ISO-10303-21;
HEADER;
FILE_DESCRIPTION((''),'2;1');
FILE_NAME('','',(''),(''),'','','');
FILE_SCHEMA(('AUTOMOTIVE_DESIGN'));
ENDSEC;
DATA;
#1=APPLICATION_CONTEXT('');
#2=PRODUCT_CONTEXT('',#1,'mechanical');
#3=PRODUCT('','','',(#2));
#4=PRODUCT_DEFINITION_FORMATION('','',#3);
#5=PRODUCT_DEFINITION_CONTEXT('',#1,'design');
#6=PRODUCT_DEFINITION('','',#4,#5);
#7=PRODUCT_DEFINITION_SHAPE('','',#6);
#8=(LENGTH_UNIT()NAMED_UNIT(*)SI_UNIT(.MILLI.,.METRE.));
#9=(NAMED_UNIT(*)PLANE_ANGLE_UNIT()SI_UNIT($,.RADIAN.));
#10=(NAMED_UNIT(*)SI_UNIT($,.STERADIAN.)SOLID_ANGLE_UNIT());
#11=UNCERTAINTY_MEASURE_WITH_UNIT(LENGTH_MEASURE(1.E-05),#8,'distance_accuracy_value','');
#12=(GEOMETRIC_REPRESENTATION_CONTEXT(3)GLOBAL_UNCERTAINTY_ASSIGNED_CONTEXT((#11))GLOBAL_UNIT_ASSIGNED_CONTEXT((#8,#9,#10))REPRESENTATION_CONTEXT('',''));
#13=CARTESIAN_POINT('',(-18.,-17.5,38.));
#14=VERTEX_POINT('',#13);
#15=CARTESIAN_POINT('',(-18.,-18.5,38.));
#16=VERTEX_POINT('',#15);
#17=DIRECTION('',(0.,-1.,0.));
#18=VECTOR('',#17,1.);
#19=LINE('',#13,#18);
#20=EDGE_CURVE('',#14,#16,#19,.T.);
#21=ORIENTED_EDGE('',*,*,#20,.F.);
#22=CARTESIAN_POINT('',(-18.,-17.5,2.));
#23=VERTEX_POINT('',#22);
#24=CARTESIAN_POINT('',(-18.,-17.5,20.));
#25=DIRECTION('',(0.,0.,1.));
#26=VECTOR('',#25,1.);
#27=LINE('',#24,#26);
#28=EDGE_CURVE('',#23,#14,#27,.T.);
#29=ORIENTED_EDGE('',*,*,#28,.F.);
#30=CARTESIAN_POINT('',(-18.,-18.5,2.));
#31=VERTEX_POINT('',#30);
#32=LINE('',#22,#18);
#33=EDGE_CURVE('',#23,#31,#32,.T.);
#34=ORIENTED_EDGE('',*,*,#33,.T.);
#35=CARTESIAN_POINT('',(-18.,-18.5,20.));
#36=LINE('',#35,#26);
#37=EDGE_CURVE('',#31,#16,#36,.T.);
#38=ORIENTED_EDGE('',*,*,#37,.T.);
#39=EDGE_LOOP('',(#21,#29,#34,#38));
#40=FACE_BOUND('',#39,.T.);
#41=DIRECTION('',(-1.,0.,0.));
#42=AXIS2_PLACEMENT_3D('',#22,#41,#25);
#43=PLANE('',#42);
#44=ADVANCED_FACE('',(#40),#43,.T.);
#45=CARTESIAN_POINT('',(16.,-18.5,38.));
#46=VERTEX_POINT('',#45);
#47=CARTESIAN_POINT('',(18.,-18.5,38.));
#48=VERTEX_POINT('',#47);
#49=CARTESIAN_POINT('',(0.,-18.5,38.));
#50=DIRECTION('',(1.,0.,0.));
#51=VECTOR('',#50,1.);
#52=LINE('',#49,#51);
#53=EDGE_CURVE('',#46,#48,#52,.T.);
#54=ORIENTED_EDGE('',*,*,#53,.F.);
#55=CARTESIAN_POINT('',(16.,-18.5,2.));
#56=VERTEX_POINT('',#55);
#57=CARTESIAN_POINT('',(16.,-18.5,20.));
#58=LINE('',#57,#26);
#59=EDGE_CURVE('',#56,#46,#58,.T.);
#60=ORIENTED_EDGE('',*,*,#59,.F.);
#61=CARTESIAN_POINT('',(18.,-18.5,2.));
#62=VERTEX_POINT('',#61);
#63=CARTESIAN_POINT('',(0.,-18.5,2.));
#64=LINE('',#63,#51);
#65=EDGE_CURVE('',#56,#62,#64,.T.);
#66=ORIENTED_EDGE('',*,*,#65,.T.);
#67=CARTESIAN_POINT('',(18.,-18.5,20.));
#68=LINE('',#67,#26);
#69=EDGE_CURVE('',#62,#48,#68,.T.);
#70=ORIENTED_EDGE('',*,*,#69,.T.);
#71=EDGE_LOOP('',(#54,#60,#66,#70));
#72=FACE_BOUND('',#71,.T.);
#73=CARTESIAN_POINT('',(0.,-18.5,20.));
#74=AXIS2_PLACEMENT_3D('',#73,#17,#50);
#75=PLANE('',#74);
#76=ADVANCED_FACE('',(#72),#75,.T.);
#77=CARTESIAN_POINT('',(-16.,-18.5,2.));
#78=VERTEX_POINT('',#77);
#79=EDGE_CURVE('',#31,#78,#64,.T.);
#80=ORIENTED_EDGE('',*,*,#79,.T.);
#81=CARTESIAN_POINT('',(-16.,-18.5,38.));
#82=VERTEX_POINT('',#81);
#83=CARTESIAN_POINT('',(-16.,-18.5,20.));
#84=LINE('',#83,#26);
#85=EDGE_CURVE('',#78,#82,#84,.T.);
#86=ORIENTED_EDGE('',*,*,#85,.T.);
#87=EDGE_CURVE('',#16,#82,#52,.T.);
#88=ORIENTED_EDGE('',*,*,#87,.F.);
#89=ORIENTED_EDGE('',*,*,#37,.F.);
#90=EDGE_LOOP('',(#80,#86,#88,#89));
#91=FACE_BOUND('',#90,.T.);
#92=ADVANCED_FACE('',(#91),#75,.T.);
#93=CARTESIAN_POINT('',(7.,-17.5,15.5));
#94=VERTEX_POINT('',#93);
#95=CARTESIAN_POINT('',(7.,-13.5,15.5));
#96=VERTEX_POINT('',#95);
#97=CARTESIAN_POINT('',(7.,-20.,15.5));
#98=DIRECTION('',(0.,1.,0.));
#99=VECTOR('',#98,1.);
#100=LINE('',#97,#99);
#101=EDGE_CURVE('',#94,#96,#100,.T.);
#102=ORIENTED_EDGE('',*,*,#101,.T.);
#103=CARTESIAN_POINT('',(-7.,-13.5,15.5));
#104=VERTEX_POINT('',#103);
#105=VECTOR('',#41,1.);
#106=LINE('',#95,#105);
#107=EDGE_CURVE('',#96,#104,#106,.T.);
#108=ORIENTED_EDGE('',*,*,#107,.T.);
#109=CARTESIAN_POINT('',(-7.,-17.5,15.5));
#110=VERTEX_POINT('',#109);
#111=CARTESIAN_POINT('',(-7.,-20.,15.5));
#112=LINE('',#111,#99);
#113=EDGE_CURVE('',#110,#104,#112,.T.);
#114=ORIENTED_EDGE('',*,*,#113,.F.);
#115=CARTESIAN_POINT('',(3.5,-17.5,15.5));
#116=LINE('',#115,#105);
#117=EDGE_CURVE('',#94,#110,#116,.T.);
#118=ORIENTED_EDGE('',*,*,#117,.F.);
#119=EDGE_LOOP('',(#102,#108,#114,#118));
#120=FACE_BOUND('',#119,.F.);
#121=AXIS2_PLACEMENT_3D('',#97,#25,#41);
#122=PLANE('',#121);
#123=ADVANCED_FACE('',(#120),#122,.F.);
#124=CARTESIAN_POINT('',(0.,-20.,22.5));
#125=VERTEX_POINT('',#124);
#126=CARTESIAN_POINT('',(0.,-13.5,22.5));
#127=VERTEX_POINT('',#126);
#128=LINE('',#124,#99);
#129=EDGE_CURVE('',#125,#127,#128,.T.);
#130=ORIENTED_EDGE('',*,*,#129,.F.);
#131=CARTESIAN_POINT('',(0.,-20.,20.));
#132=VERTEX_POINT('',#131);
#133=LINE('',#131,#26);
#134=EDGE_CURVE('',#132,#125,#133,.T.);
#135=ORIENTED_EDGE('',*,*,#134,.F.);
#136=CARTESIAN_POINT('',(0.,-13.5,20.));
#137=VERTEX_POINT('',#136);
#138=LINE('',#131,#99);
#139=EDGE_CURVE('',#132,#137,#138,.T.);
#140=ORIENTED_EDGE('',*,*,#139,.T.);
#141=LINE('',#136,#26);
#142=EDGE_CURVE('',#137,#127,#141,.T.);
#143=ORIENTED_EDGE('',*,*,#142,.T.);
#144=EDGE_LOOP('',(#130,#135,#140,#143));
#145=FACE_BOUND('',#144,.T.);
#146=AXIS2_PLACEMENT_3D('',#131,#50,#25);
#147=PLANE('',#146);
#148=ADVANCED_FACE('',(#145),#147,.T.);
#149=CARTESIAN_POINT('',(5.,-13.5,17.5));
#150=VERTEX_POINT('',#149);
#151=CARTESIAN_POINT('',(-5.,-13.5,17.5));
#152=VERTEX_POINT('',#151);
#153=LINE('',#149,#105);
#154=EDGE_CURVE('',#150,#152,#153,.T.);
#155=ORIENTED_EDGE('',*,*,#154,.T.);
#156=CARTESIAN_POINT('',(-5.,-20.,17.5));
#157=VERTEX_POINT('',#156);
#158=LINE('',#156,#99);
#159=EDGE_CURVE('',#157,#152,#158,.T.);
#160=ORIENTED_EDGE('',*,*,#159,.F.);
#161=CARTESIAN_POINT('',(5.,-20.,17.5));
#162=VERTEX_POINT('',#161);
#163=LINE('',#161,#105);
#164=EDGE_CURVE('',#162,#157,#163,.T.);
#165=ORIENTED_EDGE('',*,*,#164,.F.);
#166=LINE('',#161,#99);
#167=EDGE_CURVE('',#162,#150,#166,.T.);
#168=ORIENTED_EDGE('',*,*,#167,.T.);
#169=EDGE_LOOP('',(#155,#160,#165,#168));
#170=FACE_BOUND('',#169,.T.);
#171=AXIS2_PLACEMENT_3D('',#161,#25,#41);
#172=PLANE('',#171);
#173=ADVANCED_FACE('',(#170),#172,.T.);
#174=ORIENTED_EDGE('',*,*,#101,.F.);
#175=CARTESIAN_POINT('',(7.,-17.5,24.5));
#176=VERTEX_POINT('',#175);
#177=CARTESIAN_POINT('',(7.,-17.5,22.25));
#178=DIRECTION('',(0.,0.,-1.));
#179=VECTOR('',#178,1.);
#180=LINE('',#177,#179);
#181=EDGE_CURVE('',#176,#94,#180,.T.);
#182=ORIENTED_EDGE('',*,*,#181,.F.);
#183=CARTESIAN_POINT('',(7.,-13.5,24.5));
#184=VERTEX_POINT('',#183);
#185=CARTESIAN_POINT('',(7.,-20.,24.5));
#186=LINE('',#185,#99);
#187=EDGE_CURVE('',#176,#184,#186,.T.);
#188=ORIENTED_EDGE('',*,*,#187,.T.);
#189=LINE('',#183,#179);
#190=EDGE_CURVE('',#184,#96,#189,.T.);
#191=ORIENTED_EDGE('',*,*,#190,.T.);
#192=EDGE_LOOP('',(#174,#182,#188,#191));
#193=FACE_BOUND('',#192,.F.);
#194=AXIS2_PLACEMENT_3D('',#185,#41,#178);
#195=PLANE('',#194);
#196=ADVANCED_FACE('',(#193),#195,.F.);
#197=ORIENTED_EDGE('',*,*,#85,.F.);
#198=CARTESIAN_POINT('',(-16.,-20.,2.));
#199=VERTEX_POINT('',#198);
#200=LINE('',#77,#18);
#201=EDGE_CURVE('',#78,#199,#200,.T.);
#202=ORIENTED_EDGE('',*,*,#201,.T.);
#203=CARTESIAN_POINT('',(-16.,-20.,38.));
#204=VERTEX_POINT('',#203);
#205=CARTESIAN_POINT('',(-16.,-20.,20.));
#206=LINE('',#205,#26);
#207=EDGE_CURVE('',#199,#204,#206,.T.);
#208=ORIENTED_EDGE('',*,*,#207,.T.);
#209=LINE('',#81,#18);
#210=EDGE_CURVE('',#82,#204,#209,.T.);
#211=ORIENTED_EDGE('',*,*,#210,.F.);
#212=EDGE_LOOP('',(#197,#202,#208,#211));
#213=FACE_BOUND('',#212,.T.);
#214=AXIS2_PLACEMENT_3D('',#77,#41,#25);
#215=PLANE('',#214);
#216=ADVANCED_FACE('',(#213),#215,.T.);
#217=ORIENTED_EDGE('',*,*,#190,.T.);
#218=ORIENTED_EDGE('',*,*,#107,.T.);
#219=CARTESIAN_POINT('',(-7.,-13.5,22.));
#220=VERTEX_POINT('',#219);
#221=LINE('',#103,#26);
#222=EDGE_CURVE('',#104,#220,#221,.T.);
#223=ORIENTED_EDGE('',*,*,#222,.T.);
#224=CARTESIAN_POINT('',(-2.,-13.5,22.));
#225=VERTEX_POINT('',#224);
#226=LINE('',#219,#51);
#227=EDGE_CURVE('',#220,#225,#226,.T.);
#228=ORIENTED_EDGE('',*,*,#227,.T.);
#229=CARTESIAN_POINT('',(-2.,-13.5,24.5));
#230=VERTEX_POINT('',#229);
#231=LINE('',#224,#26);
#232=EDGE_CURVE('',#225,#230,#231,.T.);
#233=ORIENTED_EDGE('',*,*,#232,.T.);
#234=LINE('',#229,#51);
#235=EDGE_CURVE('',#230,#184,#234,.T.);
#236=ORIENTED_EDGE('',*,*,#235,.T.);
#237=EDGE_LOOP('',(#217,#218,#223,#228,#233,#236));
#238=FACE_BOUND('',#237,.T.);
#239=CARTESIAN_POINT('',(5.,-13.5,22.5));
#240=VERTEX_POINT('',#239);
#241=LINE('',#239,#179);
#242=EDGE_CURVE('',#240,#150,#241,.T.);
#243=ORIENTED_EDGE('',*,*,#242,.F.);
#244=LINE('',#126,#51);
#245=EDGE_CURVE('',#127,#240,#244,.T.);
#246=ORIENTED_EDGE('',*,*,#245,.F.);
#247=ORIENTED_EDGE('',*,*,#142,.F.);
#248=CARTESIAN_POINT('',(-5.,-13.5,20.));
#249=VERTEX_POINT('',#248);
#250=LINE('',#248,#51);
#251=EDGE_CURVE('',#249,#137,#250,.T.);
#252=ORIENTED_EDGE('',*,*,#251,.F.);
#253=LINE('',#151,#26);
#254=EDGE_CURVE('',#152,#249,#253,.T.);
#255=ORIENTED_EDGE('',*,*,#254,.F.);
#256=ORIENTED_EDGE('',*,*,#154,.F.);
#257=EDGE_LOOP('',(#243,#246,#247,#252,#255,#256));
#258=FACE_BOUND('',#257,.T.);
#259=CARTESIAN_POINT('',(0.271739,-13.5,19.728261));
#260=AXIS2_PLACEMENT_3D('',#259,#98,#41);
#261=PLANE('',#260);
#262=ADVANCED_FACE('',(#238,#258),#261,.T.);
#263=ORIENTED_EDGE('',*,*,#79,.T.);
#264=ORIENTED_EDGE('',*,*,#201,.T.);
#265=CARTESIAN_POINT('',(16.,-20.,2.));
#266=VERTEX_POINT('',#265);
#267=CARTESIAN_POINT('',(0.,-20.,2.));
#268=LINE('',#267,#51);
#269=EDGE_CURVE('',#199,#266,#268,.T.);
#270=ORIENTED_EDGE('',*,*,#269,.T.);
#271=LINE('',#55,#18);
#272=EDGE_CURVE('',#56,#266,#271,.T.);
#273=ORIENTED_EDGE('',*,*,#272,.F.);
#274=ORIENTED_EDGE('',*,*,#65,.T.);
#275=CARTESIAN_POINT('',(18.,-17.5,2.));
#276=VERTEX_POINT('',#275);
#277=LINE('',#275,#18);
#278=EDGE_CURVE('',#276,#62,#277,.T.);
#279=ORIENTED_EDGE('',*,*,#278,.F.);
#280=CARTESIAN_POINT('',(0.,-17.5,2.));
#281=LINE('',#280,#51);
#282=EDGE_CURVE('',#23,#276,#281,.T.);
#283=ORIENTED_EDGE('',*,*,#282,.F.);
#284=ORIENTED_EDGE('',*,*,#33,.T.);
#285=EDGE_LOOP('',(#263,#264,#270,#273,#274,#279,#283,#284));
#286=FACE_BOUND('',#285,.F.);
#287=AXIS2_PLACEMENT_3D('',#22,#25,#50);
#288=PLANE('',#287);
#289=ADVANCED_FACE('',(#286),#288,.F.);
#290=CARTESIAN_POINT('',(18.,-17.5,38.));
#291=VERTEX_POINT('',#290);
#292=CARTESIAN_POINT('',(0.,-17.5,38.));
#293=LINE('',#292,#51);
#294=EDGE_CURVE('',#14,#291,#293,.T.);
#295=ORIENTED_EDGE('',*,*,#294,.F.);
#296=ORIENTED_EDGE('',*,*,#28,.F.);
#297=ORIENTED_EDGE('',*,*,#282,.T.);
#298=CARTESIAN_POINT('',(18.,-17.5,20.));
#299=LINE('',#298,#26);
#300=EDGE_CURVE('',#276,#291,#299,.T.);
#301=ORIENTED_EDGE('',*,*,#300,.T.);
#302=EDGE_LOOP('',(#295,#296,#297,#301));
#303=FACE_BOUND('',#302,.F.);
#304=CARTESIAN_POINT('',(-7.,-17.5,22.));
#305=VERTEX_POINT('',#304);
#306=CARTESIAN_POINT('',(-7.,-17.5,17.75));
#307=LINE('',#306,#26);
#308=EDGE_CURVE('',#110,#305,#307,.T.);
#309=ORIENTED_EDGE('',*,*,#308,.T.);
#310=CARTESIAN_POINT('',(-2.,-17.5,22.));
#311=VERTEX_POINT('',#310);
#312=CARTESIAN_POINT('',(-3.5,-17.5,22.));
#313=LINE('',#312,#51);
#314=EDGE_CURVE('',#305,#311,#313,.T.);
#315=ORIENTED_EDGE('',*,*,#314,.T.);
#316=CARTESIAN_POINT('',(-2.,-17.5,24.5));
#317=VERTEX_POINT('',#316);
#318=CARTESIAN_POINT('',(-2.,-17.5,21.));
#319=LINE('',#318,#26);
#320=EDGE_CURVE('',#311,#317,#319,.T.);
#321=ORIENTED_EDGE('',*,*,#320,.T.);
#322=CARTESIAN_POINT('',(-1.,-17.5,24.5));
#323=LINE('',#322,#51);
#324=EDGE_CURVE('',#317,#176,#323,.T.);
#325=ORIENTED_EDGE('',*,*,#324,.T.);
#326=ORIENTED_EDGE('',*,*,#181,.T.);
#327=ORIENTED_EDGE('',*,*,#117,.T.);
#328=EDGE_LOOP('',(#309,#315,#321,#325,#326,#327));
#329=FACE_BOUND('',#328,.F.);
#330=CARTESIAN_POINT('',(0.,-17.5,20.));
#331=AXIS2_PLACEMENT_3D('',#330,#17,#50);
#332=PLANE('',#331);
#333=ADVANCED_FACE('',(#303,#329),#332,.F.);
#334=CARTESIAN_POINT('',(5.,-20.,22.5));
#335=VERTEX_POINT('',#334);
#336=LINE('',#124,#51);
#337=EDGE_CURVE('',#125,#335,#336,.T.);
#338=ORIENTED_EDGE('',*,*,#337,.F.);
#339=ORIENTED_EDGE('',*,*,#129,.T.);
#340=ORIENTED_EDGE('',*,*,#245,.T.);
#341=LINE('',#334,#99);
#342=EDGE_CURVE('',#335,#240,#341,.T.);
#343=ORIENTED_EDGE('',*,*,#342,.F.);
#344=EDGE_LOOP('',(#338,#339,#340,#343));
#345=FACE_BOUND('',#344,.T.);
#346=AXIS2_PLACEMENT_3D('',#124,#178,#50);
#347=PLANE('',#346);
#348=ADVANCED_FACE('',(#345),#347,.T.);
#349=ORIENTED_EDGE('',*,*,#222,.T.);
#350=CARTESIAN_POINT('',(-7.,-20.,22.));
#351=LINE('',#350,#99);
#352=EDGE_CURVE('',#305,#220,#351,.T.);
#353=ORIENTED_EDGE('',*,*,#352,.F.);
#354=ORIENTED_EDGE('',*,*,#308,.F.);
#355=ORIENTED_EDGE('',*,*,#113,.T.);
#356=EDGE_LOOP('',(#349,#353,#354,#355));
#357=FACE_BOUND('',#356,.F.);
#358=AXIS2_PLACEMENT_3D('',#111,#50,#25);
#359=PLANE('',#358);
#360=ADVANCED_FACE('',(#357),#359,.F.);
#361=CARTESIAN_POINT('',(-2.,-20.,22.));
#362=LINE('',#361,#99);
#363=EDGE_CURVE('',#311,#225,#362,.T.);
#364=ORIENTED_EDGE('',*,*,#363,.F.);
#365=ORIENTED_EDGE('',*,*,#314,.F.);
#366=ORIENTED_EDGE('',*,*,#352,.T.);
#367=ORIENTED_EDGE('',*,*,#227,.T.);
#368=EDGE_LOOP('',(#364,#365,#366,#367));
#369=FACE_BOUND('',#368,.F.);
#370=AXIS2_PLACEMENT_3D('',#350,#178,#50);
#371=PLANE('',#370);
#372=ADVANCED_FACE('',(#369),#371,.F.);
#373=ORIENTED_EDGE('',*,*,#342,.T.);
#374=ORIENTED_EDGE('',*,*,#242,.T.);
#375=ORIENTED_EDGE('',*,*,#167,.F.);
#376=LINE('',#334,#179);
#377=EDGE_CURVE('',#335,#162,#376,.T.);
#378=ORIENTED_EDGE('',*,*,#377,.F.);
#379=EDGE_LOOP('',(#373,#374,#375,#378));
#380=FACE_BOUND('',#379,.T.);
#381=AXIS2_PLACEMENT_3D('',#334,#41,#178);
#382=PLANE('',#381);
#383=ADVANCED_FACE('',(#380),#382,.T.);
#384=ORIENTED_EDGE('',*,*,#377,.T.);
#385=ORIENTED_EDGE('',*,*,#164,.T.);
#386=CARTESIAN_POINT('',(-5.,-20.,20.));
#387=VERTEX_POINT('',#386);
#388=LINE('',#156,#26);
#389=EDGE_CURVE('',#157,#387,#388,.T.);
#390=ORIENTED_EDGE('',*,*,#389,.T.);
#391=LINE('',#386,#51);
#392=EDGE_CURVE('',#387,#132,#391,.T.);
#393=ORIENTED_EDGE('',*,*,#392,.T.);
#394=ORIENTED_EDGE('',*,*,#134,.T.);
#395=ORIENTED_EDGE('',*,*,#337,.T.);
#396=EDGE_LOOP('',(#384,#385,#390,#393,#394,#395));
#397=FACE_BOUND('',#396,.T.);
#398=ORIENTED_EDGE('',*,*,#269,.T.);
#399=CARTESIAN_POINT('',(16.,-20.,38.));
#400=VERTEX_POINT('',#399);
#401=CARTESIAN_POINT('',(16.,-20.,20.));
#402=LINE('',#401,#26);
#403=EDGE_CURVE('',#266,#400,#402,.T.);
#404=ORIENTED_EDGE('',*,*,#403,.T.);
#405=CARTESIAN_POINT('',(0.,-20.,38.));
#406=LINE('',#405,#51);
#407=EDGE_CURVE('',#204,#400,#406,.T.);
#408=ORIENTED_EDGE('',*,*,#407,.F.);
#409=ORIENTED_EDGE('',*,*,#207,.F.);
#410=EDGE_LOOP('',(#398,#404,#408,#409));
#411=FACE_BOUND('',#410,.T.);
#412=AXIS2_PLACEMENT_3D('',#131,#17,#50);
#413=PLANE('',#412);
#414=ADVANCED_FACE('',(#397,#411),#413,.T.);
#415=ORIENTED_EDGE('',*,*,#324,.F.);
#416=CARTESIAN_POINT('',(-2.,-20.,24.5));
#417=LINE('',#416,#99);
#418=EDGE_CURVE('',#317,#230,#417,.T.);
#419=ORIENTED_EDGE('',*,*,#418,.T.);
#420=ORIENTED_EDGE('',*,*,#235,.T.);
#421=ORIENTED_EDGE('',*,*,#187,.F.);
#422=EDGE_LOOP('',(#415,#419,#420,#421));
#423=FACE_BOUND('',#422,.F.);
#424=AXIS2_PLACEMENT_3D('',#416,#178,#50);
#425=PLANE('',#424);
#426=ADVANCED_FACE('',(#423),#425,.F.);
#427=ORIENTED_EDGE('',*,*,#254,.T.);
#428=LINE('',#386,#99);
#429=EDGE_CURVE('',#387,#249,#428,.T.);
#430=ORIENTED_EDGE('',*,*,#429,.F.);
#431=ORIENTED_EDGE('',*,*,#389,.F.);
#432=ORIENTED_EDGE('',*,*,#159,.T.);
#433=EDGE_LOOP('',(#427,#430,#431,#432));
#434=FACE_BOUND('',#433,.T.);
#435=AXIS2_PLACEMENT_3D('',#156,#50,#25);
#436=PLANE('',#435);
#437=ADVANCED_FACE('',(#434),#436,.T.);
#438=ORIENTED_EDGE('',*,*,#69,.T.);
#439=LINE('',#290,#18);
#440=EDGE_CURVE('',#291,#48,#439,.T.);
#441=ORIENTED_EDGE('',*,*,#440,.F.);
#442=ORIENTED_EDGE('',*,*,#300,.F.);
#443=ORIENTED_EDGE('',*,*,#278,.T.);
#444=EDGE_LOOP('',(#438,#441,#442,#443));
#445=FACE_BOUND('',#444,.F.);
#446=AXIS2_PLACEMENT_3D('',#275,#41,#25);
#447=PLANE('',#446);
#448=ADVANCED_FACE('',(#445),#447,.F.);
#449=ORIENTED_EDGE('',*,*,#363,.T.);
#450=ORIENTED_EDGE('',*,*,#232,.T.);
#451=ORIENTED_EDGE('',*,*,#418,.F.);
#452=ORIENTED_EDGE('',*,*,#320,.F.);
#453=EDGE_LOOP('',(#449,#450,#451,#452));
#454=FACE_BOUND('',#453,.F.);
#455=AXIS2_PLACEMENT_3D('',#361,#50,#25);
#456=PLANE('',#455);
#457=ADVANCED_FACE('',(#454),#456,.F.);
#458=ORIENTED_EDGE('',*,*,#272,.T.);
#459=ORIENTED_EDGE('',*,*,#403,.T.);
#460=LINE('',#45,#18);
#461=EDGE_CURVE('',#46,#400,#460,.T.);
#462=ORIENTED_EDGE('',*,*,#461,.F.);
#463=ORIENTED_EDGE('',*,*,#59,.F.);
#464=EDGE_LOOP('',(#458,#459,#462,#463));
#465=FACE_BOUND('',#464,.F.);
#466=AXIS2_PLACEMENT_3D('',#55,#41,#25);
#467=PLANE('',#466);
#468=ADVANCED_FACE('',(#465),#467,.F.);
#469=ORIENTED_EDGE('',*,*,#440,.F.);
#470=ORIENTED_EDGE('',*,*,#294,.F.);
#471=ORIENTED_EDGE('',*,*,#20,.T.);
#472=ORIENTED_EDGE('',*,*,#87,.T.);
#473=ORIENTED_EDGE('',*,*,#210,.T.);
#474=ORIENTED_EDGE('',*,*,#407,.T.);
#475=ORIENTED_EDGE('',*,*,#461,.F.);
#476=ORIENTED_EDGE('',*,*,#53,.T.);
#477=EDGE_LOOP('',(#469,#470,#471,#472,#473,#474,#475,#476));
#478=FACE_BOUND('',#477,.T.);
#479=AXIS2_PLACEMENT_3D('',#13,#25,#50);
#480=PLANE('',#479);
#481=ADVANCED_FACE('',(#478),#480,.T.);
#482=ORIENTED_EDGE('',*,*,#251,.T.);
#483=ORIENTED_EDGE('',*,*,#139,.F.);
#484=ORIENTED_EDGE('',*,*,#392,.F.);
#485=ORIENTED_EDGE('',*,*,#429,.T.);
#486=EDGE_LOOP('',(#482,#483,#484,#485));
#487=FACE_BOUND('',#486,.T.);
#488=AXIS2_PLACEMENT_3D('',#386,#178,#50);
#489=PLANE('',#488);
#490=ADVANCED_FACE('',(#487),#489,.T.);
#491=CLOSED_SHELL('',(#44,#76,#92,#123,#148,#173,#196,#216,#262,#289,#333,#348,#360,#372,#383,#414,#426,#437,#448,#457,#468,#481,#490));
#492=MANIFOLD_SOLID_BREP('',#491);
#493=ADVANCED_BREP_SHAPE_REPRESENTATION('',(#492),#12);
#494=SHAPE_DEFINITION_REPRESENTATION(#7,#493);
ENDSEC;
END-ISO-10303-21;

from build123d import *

# Parameters (mm, degrees)
SKETCH021_W                    = 32
SKETCH021_H                    = 36
EXTRUDE019_DEPTH               = 1.5
SKETCH020_W                    = 36
SKETCH020_H                    = 36
EXTRUDE018_DEPTH               = 1
FUSION011_PLACEMENT_ANGLE      = 90
BASEFEATURE002_PLACEMENT_ANGLE = 90
POCKET002_DEPTH                = 5
PAD_DEPTH                      = 6.5
POCKET007_DEPTH                = 6.5
BODY003_PLACEMENT_ANGLE        = 90


with BuildPart() as extrude019:
    # Sketch021 (on Face6 of Extrude018) → Extrude019 (new body)
    with BuildSketch(Plane.XY.offset(1)):
        Rectangle(SKETCH021_W, SKETCH021_H)
    extrude(amount=EXTRUDE019_DEPTH)


with BuildPart() as body003:
    # Sketch020 → Extrude018 (new body)
    with BuildSketch(Plane.XY):
        Rectangle(SKETCH020_W, SKETCH020_H)
    extrude(amount=EXTRUDE018_DEPTH)

    # Fusion011: union Extrude019
    add(extrude019.part)


with BuildPart() as body003_1:
    # Fusion011 placement: moved
    add(body003.part.moved(Location((0, -17.5, 20))).rotate(Axis((0, -17.5, 20), (1, 0, 0)), FUSION011_PLACEMENT_ANGLE))


with BuildPart() as body003_2:
    # BaseFeature002 placement: moved
    add(body003_1.part.moved(Location((0, -20, -17.5))).rotate(Axis((0, -20, -17.5), (-1, 0, 0)), BASEFEATURE002_PLACEMENT_ANGLE))

    # Sketch026 (on Face8 of BaseFeature002) → Pocket002 (cut)
    with BuildSketch(Plane.XY.offset(2.5)):
        Polygon((0, 0), (0, 2.5), (5, 2.5), (5, -2.5), (-5, -2.5), (-5, 0), align=None)
    extrude(amount=-POCKET002_DEPTH, mode=Mode.SUBTRACT)

    # Sketch046 (on Face8 of Pocket002) → Pad (join)
    with BuildSketch(Plane.XY.offset(2.5)):
        Polygon((-2, 4.5), (7, 4.5), (7, -4.5), (-7, -4.5), (-7, 2), (-2, 2), align=None)
    extrude(amount=-PAD_DEPTH)

    # Sketch026 (on Face8 of BaseFeature002) → Pocket007 (cut)
    with BuildSketch(Plane.XY.offset(2.5)):
        Polygon((0, 0), (0, 2.5), (5, 2.5), (5, -2.5), (-5, -2.5), (-5, 0), align=None)
    extrude(amount=-POCKET007_DEPTH, mode=Mode.SUBTRACT)


with BuildPart() as body003_3:
    # Body003 placement: moved
    add(body003_2.part.moved(Location((0, -17.5, 20))).rotate(Axis((0, -17.5, 20), (1, 0, 0)), BODY003_PLACEMENT_ANGLE))


solid = body003_3.part
